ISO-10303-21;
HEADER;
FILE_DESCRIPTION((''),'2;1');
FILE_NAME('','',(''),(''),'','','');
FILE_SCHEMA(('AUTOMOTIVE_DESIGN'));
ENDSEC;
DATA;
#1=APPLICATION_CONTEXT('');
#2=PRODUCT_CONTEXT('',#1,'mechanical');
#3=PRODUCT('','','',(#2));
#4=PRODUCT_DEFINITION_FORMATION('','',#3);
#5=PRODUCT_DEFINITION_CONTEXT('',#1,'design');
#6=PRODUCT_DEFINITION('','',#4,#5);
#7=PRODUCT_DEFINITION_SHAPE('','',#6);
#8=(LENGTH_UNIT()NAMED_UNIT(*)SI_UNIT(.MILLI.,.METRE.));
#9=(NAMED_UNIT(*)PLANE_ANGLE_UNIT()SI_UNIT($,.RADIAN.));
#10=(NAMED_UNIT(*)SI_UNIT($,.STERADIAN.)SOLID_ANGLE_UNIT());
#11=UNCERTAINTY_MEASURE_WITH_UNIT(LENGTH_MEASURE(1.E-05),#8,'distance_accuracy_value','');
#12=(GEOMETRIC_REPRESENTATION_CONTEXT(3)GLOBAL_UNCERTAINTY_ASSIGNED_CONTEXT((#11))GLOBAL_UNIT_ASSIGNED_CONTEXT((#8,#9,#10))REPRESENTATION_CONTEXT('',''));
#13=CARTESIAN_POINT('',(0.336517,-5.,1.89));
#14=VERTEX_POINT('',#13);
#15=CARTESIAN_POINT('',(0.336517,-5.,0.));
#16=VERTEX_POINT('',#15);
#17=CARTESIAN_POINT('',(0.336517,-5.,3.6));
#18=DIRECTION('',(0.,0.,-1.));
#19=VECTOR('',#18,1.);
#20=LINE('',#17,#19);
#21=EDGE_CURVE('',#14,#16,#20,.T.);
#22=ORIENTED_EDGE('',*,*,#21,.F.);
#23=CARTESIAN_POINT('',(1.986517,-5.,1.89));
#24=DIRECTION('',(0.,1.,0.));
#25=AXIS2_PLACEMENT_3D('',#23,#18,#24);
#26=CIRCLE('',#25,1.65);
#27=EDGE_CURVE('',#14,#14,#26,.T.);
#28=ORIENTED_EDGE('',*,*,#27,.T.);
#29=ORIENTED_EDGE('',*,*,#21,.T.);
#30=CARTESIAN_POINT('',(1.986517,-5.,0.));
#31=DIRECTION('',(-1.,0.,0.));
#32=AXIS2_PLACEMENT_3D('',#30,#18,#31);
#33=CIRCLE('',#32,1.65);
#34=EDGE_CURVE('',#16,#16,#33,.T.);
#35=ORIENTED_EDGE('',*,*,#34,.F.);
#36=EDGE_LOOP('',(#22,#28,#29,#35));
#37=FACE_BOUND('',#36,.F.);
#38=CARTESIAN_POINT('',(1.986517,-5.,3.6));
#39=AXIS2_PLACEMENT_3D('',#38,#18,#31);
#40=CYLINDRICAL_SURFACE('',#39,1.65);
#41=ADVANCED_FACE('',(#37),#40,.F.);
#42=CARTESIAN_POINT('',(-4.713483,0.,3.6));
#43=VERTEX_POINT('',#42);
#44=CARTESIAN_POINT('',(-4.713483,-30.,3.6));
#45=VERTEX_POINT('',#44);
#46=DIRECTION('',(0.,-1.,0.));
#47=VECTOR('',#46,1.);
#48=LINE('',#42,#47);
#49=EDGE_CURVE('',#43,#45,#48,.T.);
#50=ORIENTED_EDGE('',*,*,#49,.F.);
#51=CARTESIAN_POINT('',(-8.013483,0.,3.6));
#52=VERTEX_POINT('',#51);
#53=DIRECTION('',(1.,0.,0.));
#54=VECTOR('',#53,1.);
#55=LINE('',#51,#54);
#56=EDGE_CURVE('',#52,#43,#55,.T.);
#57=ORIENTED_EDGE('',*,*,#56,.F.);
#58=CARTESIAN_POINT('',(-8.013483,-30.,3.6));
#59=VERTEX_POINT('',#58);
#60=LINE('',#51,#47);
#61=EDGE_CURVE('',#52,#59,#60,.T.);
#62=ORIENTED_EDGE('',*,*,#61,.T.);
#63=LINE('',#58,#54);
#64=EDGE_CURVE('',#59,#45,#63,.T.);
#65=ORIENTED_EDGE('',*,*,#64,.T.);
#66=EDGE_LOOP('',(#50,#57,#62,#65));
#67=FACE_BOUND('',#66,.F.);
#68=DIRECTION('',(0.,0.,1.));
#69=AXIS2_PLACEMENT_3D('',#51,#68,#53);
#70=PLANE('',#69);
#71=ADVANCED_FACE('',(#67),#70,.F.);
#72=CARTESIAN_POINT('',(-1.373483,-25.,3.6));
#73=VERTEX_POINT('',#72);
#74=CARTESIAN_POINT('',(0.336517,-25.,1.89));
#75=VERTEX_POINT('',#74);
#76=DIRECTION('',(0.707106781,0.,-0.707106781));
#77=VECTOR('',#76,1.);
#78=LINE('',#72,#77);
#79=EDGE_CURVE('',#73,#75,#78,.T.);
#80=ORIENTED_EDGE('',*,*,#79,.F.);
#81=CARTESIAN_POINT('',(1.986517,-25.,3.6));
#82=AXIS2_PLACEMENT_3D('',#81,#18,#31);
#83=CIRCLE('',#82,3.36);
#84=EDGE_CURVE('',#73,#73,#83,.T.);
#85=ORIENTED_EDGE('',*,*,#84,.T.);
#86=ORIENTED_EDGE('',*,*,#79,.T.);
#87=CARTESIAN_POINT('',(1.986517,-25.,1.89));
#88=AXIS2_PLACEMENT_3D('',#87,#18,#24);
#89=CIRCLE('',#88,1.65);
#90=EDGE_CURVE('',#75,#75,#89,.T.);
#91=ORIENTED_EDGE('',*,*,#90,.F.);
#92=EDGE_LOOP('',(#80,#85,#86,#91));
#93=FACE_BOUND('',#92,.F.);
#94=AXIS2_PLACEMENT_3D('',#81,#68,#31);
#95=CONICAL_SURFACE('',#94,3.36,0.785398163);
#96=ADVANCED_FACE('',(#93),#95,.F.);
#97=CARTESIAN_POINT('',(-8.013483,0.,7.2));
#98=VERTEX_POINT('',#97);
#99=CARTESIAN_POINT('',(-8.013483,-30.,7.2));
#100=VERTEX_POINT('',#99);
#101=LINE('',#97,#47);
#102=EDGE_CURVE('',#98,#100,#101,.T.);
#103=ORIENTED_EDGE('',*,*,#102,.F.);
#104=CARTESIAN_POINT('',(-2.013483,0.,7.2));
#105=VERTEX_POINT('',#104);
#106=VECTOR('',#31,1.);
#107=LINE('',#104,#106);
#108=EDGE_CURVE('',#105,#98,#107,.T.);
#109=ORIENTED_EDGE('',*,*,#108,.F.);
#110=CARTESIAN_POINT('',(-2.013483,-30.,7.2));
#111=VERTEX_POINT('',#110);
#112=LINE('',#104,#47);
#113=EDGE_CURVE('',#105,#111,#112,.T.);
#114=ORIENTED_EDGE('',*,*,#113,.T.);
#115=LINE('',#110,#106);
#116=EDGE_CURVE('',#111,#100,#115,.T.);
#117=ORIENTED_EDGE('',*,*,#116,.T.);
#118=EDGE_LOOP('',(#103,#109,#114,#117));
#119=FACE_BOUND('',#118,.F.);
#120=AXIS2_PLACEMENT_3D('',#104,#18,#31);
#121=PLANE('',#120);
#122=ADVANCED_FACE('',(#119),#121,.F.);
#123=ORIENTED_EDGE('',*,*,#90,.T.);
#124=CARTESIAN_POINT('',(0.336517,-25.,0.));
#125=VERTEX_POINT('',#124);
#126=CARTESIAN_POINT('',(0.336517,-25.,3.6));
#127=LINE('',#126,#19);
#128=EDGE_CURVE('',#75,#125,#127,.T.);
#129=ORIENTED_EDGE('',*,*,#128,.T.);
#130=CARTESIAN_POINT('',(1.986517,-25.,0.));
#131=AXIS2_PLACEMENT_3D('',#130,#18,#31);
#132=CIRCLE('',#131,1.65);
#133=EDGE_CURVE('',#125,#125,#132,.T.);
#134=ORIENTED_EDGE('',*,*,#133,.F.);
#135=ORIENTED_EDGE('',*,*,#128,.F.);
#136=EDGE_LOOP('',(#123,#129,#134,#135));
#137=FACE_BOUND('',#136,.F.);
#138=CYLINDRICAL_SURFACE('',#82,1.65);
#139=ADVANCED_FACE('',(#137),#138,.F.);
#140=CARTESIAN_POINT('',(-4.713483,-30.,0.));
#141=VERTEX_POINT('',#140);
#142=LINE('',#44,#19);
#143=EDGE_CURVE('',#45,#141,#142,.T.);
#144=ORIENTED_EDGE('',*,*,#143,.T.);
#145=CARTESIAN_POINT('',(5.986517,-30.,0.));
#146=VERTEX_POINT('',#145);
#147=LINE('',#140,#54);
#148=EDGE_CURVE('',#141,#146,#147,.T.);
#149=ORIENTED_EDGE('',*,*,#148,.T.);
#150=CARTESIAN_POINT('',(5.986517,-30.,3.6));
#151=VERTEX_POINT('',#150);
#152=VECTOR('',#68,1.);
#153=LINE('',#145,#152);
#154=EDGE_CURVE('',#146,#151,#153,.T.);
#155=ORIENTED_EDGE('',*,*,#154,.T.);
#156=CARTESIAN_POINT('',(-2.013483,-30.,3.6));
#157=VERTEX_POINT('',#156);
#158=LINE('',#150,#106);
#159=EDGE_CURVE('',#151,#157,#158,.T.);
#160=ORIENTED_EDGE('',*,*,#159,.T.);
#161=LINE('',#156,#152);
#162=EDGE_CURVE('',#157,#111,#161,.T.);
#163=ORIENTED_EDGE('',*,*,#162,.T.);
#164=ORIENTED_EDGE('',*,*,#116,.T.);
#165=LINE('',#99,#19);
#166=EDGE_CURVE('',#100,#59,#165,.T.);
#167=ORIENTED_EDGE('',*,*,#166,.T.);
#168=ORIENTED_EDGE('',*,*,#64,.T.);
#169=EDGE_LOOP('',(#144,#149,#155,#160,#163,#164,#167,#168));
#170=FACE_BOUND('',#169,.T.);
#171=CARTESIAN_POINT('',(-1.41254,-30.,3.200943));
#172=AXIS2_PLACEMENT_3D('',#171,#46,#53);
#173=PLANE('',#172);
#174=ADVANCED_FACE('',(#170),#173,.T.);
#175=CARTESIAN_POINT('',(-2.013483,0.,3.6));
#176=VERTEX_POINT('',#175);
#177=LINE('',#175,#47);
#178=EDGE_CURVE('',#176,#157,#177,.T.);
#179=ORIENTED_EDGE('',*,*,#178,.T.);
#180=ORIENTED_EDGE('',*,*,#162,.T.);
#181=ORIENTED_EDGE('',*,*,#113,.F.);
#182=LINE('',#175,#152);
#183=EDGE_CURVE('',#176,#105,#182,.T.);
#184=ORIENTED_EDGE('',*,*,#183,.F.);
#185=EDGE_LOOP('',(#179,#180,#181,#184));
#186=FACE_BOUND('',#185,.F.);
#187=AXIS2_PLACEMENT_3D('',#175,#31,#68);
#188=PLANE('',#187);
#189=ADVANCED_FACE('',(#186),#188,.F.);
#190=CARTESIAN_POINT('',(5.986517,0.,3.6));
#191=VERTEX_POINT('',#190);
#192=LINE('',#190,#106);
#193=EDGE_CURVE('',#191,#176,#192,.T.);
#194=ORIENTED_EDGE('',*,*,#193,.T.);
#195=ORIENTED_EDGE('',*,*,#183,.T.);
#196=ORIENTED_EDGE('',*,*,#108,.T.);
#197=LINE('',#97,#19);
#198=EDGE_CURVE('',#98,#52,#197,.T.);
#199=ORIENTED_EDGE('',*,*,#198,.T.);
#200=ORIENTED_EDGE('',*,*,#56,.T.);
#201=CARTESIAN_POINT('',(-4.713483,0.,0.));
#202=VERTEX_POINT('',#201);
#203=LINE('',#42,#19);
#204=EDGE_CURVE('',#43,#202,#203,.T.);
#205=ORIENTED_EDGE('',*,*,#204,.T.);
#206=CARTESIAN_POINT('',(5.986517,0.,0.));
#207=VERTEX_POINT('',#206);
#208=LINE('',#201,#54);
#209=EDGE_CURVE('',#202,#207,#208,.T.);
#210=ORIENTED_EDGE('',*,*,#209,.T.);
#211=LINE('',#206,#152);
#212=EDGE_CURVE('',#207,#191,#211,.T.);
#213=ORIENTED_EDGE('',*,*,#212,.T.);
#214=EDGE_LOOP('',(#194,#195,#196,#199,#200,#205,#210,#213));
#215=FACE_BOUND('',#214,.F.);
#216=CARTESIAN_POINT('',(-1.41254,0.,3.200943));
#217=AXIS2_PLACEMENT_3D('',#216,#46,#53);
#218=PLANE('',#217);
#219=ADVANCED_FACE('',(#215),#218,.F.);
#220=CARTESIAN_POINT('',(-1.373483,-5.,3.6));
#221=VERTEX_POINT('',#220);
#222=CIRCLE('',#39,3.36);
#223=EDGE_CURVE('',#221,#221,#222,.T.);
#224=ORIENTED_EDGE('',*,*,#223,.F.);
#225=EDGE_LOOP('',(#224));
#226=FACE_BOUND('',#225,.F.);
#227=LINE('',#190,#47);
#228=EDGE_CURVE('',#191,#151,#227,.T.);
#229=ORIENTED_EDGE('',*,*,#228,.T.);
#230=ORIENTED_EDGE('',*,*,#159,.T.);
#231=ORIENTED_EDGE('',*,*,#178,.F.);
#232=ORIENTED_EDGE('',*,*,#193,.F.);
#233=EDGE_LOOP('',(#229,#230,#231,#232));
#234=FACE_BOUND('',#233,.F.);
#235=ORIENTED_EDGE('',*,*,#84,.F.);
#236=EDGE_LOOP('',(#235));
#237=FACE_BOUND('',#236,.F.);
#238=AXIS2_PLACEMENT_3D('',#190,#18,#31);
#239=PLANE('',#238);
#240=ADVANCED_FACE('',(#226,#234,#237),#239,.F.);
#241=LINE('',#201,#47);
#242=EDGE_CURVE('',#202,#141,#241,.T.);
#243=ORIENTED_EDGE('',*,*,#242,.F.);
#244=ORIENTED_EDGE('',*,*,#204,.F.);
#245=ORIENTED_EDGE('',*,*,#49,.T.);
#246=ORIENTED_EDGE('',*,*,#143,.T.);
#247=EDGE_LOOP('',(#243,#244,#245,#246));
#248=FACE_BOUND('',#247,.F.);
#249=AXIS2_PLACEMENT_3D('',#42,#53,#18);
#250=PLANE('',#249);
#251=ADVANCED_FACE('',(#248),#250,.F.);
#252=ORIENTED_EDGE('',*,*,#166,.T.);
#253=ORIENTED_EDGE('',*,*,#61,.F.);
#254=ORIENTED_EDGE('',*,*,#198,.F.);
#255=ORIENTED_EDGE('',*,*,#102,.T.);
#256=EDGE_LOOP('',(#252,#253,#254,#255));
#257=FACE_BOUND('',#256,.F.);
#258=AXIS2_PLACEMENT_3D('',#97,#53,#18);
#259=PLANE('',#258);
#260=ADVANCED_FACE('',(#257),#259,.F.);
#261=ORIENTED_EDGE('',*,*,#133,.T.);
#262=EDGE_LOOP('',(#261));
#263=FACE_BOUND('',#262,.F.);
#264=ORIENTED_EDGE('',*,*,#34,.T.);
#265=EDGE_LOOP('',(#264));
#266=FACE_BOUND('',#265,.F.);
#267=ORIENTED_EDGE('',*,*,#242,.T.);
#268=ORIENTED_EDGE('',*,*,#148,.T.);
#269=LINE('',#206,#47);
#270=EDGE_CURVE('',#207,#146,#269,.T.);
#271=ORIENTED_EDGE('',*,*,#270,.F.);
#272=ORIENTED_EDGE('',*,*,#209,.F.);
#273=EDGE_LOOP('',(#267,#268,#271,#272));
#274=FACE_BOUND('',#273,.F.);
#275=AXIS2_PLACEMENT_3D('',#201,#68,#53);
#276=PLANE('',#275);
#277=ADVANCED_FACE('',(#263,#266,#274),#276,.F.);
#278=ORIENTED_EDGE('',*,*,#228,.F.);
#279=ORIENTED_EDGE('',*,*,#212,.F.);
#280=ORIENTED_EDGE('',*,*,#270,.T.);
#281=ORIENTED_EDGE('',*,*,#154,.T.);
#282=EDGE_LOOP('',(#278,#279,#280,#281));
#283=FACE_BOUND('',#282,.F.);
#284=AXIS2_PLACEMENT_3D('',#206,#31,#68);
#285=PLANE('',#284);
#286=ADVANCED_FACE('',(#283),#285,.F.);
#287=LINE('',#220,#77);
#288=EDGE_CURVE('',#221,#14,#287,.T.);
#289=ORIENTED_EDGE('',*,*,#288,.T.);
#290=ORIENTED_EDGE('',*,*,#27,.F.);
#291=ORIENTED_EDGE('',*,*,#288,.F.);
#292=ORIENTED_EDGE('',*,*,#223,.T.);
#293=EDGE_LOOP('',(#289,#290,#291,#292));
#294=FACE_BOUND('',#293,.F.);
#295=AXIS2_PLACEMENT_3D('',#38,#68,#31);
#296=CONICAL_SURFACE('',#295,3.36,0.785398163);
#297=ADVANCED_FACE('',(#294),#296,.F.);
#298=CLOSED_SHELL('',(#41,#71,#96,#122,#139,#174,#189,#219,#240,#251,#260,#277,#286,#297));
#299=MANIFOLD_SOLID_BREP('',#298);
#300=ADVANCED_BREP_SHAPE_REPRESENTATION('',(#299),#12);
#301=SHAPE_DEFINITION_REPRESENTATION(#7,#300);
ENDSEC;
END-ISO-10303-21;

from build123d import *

# Parameters (mm, degrees)
F1_DEPTH       = 30
F3_D           = 3.3
F3_CSINK_D     = 6.72
F3_CSINK_ANGLE = 90


with BuildPart() as f1:
    # F0 (on Front) → F1 (new body)
    with BuildSketch(Plane.XZ):
        Polygon((-4.7134831967, 0), (5.9865168033, 0), (5.9865168033, 3.6), (-2.0134831967, 3.6), (-2.0134831967, 7.2), (-8.0134831967, 7.2), (-8.0134831967, 3.6), (-4.7134831967, 3.6), align=None)
    extrude(amount=F1_DEPTH)

    # F3 (through all)
    with Locations(Plane.XY.offset(3.6)):
        with Locations((1.9865168033, -5), (1.9865168033, -25)):
            CounterSinkHole(F3_D / 2, F3_CSINK_D / 2, counter_sink_angle=F3_CSINK_ANGLE)


solid = f1.part
